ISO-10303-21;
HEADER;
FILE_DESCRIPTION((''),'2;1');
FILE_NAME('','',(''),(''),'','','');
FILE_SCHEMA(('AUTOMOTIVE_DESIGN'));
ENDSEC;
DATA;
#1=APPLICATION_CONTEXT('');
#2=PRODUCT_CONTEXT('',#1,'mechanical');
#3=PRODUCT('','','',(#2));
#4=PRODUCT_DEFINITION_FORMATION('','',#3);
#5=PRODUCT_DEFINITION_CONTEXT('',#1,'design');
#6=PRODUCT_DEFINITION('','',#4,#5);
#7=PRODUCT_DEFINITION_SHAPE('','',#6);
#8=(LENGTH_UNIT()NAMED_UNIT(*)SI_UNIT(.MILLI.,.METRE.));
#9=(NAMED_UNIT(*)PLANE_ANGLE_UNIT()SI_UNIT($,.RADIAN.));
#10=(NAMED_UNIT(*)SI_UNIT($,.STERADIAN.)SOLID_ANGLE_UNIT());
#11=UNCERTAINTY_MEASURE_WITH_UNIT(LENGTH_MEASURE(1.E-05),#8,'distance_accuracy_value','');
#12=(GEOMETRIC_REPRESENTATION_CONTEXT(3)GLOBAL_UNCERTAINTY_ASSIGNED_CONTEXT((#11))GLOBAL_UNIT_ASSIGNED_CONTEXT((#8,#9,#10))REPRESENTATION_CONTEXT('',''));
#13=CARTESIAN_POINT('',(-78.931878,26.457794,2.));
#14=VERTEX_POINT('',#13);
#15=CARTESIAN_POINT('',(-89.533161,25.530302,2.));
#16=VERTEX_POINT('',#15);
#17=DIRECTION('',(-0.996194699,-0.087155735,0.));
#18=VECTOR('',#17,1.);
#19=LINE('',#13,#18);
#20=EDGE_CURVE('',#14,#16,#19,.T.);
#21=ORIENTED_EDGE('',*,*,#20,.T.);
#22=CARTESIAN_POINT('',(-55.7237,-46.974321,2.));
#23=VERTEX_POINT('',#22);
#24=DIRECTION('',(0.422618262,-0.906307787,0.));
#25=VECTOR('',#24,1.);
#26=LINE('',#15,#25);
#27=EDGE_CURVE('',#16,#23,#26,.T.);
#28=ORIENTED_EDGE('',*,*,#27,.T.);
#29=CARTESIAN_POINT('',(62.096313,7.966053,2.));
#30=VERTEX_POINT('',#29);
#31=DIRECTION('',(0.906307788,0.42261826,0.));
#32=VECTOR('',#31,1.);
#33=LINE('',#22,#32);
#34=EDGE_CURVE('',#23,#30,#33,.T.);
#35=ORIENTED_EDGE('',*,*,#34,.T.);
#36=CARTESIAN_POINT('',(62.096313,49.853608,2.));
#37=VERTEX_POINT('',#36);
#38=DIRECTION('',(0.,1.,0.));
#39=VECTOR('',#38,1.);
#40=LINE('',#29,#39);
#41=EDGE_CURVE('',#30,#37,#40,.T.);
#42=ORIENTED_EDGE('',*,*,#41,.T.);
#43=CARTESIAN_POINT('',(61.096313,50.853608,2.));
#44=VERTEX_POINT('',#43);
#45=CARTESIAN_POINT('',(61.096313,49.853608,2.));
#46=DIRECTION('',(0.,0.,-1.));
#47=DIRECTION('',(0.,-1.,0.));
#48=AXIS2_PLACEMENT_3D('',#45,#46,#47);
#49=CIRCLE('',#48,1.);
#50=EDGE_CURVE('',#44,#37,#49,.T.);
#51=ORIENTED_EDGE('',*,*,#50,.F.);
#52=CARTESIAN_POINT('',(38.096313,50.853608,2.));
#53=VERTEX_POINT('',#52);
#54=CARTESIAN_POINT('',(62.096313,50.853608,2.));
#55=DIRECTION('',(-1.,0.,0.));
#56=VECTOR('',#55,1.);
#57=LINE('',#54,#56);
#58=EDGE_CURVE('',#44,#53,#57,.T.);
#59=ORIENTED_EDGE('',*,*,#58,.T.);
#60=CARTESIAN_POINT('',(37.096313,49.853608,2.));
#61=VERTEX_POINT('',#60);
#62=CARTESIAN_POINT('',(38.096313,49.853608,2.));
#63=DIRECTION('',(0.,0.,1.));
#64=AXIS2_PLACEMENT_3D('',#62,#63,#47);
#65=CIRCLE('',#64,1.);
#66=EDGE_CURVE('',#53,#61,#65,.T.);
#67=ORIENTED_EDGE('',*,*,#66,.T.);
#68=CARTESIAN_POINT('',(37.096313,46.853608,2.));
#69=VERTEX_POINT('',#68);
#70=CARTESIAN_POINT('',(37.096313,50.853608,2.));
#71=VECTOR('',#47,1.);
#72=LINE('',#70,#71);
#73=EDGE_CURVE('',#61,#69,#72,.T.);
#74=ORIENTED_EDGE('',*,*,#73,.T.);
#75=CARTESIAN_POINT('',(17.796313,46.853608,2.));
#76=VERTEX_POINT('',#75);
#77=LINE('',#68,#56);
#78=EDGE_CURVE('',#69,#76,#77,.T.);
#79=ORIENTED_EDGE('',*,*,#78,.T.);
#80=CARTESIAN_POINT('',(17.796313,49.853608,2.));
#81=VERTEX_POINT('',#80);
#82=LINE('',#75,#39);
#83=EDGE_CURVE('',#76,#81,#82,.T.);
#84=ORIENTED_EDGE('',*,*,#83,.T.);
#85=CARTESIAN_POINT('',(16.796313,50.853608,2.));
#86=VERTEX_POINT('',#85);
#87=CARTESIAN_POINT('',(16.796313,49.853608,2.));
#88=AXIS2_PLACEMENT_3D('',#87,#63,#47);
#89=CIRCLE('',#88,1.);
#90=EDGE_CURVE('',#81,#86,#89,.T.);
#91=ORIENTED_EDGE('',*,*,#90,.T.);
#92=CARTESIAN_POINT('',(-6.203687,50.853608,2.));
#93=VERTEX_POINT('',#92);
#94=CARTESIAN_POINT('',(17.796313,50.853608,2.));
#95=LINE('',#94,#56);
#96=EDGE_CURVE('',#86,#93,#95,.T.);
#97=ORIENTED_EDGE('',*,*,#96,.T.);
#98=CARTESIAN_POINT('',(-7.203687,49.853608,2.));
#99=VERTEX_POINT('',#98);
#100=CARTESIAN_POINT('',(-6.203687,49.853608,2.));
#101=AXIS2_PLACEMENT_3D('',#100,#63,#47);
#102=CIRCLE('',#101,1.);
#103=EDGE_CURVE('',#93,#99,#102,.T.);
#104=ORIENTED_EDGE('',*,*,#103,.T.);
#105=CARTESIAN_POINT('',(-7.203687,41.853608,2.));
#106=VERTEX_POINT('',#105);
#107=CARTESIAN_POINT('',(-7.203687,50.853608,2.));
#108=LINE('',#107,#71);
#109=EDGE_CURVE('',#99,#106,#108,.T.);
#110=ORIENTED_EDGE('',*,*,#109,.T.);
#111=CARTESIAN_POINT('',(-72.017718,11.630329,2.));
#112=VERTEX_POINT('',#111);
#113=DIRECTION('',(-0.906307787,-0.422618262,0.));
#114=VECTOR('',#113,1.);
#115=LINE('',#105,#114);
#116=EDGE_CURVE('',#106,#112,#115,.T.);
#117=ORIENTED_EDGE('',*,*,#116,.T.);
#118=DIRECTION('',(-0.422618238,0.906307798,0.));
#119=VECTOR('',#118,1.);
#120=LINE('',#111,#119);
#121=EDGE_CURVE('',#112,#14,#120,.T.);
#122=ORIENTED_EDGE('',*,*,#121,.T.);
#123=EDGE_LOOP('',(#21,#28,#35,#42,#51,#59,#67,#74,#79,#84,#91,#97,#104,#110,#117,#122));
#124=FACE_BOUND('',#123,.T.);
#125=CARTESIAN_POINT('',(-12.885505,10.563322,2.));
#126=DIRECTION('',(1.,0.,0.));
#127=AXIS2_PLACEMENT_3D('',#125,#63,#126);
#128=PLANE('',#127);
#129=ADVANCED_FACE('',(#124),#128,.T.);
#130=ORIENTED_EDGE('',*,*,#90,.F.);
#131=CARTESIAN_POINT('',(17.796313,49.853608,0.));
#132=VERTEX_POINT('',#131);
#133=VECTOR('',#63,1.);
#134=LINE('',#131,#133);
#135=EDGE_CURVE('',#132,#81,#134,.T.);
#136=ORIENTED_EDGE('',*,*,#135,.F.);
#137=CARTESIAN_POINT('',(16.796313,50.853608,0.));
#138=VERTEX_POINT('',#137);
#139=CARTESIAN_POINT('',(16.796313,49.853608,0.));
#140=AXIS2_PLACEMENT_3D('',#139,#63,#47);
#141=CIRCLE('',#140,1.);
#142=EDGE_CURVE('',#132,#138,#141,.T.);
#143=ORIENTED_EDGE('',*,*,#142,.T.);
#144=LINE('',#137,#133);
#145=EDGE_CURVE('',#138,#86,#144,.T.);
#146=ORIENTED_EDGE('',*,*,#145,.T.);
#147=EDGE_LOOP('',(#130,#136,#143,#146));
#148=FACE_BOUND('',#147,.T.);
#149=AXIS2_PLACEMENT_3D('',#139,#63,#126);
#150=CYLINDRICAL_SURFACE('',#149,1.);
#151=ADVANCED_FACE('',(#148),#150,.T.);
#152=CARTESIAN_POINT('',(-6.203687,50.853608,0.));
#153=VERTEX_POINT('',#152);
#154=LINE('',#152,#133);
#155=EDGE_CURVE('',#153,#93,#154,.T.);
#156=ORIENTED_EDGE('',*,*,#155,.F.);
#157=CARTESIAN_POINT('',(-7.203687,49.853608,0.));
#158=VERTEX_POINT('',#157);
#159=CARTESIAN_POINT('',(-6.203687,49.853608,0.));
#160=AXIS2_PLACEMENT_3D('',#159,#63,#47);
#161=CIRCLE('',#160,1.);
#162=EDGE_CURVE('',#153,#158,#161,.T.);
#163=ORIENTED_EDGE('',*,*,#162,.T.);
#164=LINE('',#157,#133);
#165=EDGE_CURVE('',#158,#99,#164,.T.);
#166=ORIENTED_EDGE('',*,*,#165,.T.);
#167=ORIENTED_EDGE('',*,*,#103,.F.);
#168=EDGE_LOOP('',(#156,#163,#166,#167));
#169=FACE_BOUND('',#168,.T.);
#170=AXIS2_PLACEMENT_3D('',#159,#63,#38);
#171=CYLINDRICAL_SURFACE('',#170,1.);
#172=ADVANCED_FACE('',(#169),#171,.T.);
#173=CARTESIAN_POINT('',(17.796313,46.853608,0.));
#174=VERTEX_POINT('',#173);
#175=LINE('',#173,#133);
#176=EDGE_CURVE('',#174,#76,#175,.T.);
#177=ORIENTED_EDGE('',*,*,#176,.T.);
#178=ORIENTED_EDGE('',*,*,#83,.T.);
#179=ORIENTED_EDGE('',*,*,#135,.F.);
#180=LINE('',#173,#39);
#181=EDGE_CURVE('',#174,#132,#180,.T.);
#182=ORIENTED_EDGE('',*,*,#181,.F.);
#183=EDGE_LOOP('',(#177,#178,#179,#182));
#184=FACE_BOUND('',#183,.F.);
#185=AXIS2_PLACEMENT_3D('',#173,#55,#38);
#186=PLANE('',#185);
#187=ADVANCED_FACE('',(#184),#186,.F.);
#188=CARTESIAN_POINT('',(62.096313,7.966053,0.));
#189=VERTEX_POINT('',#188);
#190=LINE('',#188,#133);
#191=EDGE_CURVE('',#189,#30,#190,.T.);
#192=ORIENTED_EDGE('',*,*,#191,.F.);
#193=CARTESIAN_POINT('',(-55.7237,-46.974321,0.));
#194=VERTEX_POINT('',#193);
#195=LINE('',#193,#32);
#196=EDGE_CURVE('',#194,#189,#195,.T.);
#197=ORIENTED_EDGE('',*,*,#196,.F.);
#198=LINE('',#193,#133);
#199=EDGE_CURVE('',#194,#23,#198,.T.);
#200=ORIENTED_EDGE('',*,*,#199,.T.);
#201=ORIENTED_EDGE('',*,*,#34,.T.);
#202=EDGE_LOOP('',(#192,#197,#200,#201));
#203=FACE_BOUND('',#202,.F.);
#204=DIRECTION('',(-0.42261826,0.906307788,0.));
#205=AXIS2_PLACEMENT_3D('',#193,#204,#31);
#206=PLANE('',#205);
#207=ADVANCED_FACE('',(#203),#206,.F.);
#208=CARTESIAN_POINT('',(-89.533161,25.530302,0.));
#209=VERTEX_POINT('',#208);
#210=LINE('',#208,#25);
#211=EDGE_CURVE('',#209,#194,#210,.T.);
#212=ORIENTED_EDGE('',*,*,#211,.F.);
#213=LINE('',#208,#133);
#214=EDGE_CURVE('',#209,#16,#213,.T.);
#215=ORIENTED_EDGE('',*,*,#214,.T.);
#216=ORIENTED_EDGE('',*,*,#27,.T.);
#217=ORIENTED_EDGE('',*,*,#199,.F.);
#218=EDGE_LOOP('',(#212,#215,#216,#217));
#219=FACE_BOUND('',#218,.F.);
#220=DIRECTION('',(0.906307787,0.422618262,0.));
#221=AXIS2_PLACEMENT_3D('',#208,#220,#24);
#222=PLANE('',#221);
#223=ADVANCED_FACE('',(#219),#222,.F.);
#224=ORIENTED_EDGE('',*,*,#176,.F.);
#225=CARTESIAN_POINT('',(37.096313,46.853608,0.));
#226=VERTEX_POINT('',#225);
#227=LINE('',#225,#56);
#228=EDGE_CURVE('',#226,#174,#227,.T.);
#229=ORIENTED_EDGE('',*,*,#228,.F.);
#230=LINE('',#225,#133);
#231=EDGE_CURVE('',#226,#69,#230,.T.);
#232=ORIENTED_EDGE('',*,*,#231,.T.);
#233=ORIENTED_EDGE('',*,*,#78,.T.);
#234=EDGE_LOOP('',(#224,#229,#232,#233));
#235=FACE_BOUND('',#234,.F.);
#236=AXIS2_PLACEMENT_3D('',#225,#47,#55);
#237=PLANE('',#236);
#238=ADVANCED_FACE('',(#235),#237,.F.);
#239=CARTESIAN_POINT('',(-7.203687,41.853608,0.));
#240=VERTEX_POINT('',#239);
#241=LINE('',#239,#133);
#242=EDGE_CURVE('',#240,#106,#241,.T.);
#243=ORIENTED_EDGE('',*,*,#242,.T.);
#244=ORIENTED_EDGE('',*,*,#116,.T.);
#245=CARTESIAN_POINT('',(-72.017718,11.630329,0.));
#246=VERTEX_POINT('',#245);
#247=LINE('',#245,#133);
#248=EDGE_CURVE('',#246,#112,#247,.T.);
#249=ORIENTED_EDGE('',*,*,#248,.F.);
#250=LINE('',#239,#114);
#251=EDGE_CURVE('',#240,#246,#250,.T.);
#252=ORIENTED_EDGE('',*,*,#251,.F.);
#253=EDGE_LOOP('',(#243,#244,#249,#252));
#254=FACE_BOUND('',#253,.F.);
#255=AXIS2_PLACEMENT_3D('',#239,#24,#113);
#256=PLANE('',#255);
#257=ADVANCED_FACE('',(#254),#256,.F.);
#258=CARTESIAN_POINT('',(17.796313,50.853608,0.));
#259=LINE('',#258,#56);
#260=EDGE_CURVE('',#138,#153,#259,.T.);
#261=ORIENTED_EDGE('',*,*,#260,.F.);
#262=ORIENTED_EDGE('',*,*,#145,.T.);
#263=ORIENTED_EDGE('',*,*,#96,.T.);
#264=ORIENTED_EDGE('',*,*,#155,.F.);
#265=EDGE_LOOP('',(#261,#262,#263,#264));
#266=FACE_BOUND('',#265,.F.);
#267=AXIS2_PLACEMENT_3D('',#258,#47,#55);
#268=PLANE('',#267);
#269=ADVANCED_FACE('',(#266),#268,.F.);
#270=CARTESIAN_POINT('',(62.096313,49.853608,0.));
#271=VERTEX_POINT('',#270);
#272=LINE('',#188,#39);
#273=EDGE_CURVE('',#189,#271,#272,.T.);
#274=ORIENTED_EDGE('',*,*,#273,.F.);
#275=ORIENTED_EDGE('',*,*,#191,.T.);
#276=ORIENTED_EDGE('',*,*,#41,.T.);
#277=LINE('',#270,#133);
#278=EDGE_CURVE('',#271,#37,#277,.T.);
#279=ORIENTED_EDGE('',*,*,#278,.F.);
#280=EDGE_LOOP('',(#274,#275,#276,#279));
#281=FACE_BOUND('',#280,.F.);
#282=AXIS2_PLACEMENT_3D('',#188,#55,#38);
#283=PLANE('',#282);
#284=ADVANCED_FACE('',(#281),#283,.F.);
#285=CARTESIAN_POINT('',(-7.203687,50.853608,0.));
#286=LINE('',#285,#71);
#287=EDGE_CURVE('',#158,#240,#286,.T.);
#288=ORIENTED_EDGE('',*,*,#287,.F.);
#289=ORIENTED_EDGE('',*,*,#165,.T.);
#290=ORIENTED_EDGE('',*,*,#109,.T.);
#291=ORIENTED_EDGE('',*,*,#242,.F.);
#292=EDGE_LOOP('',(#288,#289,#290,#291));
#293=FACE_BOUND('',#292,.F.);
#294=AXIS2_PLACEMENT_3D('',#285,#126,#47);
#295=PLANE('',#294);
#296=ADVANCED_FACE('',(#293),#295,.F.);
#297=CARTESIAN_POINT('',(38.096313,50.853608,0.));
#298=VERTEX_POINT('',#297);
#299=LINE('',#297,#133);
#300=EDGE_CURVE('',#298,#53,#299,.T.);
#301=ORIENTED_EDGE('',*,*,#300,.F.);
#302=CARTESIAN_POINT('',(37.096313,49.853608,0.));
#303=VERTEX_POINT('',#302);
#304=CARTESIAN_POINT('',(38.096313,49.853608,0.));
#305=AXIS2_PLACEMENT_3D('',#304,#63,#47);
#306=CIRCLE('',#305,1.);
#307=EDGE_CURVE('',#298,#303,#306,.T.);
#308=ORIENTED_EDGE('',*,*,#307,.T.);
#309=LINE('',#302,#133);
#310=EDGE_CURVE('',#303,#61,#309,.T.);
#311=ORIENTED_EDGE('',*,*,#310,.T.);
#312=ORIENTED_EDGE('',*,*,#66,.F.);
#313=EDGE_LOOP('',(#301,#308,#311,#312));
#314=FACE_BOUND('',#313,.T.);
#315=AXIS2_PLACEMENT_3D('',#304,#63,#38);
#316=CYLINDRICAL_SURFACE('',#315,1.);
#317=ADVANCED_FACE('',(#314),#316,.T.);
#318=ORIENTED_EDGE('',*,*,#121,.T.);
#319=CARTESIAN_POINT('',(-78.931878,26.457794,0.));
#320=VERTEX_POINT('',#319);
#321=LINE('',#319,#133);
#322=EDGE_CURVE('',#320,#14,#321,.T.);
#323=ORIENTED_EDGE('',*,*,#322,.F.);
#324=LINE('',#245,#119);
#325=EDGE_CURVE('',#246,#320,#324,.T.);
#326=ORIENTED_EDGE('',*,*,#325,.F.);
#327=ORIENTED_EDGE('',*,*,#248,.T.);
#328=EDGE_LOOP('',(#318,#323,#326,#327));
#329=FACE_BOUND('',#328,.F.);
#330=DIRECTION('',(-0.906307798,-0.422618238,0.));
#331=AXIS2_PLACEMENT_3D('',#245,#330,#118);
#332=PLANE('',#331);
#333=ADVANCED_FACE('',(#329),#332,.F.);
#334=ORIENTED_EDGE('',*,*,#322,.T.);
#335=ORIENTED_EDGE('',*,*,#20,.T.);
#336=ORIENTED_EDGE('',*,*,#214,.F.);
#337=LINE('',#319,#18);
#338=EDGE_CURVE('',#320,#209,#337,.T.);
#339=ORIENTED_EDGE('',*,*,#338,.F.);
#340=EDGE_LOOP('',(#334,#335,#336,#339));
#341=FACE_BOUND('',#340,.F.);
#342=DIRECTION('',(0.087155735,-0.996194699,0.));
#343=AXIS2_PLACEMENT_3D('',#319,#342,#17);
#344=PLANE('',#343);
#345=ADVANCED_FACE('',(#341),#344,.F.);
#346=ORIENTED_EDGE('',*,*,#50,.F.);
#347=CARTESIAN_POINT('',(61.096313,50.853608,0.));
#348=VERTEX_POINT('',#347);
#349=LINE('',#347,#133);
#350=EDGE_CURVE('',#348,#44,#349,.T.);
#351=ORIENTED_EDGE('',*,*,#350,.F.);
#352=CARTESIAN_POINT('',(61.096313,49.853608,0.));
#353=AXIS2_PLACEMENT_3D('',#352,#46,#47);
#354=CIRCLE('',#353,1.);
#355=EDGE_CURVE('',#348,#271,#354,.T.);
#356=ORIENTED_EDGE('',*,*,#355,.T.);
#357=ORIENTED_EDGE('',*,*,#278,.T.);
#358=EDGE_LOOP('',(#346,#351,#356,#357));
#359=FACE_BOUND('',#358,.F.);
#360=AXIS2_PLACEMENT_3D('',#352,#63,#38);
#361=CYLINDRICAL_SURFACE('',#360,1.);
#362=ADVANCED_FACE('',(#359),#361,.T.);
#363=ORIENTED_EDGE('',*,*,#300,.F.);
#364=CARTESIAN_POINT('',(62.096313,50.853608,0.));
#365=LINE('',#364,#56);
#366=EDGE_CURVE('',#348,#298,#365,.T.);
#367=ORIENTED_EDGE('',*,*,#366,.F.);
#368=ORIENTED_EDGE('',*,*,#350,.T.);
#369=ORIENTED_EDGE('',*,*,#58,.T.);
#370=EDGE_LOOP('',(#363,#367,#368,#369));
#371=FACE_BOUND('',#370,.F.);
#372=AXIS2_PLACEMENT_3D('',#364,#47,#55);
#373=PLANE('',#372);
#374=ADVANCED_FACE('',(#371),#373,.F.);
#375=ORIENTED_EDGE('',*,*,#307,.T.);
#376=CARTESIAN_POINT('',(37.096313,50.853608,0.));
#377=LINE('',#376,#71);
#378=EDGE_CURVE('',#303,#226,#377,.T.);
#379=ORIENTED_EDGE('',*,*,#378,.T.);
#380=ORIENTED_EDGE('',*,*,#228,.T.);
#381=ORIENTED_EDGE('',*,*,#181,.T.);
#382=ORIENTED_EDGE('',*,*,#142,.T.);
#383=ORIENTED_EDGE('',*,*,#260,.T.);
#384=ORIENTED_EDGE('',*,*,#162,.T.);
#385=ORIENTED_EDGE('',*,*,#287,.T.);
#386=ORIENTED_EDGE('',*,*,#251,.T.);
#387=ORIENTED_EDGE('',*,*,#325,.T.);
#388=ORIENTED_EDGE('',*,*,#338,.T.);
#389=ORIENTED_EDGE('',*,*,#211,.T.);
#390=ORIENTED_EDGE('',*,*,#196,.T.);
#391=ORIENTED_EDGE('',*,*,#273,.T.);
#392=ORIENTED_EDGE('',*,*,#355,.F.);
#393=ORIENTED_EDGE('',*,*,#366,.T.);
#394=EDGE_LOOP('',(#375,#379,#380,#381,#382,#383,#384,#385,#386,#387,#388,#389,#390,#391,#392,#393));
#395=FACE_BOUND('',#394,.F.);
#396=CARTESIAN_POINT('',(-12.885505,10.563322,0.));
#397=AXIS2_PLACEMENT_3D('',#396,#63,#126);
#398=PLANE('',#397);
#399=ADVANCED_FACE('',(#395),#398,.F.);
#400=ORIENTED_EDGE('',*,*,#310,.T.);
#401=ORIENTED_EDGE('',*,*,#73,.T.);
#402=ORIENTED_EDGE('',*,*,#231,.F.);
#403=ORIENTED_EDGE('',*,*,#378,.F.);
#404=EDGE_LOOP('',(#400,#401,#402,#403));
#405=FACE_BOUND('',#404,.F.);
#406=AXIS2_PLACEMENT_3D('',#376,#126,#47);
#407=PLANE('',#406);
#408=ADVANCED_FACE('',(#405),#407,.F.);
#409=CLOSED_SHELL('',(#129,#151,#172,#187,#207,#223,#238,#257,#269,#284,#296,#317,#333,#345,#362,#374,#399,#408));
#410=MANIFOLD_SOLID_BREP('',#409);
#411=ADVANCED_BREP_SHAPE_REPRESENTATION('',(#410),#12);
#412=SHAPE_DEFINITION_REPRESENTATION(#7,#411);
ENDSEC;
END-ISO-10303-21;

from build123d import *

# Parameters (mm, degrees)
F1_DEPTH = 2
F2_R     = 1


with BuildPart() as f1:
    # F0 (on Top) → F1 (new body)
    with BuildSketch(Plane.XY):
        Polygon((62.096313, 46.853608), (62.096313, 50.853608), (37.096313, 50.853608), (37.096313, 46.853608), (17.796313, 46.853608), (17.796313, 50.853608), (-7.203687, 50.853608), (-7.203687, 46.853608), (-7.203687, 41.853608), (-72.017718, 11.630329), (-78.931878, 26.457794), (-89.533161, 25.530302), (-55.7237, -46.974321), (62.096313, 7.966053), align=None)
    extrude(amount=F1_DEPTH)

    # F2
    f2_edges = [f1.edges().sort_by_distance(p)[0] for p in [
        (37.096313, 50.853608, 1),
        (62.096313, 50.853608, 1),
        (17.796313, 50.853608, 1),
        (-7.203687, 50.853608, 1),
    ]]
    fillet(f2_edges, radius=F2_R)


solid = f1.part
